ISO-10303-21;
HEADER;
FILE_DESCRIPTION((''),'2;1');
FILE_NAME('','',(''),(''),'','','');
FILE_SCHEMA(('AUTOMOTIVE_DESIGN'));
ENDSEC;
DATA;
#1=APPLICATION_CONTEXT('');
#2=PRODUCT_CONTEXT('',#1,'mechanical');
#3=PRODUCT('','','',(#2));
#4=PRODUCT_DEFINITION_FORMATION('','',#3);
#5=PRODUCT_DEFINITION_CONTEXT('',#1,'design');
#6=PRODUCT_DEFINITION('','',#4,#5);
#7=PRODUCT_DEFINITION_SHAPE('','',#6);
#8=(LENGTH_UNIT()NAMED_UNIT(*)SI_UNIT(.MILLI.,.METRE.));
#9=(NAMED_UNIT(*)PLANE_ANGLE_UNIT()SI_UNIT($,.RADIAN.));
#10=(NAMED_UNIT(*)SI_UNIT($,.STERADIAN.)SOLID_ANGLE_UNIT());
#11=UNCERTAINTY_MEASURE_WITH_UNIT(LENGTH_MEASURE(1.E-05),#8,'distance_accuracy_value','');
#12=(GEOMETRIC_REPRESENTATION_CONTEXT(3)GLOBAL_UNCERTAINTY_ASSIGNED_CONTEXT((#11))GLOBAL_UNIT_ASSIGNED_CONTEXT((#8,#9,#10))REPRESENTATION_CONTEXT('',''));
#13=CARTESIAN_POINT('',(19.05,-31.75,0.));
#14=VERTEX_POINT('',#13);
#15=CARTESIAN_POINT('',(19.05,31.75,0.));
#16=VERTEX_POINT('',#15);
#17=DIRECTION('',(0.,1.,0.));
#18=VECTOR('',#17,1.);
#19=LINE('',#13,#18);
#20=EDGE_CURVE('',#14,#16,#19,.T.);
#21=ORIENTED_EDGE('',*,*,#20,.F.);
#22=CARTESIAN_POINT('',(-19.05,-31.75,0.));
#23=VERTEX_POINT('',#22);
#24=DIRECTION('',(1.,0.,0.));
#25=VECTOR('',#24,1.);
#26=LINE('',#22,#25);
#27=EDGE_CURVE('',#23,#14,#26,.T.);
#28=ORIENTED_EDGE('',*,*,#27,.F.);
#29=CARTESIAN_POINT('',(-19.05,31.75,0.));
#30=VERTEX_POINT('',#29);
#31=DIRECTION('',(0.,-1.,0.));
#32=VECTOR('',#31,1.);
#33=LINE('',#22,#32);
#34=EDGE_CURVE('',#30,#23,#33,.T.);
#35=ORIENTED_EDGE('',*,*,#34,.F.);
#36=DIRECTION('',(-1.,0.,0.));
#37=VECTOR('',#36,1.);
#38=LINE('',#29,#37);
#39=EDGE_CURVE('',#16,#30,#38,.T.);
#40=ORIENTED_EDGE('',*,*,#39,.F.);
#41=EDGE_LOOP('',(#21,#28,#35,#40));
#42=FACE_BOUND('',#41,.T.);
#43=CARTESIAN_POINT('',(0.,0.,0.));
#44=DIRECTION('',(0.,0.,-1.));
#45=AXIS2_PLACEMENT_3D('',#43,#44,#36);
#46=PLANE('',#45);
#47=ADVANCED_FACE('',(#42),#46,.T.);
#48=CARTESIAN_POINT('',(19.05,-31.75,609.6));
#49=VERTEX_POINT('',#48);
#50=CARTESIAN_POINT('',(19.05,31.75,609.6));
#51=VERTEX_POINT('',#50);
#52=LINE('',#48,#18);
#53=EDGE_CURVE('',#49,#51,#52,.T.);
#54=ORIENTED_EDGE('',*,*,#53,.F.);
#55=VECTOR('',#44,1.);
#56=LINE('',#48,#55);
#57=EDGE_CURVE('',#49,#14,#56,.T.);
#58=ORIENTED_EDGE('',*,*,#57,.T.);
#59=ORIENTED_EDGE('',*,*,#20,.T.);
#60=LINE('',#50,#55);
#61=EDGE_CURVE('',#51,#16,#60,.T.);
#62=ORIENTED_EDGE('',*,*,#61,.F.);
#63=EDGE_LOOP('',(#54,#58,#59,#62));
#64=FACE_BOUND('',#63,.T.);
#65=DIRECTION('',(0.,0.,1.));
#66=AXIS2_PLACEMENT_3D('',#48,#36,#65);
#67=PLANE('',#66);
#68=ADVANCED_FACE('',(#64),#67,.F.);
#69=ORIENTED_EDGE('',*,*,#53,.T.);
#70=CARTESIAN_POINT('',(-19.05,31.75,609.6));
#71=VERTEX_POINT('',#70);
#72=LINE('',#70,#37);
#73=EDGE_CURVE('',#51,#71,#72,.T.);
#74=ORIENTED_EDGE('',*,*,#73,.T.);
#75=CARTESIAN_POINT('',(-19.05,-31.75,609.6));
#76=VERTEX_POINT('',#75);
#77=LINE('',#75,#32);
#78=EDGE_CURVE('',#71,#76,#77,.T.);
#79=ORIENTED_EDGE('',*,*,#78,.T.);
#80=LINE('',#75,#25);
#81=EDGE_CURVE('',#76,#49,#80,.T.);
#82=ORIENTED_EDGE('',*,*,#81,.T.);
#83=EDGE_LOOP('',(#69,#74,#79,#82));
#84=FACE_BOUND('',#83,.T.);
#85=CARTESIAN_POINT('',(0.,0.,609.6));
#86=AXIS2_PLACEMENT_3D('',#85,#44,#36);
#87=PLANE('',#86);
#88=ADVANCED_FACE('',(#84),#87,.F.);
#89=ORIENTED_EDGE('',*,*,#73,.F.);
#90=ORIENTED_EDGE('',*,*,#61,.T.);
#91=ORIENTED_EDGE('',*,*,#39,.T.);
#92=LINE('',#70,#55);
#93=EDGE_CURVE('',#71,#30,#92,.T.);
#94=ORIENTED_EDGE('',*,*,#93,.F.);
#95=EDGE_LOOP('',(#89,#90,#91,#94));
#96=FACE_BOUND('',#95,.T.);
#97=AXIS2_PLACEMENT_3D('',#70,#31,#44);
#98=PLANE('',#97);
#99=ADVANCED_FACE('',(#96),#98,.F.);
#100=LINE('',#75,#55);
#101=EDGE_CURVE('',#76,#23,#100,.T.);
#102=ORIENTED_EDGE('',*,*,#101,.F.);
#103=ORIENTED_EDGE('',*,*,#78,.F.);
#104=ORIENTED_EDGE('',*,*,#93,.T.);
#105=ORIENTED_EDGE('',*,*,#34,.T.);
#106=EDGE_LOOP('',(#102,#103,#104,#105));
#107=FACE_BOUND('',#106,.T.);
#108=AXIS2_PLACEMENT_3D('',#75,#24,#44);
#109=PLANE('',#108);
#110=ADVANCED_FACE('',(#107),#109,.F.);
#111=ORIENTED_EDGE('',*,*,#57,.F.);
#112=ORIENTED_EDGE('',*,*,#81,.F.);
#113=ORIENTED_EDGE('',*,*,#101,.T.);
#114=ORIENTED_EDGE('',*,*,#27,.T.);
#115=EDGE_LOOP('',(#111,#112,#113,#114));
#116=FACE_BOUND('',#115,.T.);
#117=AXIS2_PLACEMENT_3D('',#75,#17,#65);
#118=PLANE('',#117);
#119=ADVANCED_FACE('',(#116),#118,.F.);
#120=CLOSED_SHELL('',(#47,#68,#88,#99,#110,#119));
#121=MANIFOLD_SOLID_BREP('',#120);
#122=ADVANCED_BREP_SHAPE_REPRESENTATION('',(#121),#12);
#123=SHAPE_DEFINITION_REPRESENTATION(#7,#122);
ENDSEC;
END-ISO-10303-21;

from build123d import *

# Parameters (mm, degrees)
SKETCH1_W           = 38.1
SKETCH1_H           = 63.5
BOSS_EXTRUDE1_DEPTH = 609.6


with BuildPart() as part:
    # Sketch1 → Boss-Extrude1 (new body)
    with BuildSketch(Plane.XY):
        Rectangle(SKETCH1_W, SKETCH1_H)
    extrude(amount=BOSS_EXTRUDE1_DEPTH)


solid = part.part
